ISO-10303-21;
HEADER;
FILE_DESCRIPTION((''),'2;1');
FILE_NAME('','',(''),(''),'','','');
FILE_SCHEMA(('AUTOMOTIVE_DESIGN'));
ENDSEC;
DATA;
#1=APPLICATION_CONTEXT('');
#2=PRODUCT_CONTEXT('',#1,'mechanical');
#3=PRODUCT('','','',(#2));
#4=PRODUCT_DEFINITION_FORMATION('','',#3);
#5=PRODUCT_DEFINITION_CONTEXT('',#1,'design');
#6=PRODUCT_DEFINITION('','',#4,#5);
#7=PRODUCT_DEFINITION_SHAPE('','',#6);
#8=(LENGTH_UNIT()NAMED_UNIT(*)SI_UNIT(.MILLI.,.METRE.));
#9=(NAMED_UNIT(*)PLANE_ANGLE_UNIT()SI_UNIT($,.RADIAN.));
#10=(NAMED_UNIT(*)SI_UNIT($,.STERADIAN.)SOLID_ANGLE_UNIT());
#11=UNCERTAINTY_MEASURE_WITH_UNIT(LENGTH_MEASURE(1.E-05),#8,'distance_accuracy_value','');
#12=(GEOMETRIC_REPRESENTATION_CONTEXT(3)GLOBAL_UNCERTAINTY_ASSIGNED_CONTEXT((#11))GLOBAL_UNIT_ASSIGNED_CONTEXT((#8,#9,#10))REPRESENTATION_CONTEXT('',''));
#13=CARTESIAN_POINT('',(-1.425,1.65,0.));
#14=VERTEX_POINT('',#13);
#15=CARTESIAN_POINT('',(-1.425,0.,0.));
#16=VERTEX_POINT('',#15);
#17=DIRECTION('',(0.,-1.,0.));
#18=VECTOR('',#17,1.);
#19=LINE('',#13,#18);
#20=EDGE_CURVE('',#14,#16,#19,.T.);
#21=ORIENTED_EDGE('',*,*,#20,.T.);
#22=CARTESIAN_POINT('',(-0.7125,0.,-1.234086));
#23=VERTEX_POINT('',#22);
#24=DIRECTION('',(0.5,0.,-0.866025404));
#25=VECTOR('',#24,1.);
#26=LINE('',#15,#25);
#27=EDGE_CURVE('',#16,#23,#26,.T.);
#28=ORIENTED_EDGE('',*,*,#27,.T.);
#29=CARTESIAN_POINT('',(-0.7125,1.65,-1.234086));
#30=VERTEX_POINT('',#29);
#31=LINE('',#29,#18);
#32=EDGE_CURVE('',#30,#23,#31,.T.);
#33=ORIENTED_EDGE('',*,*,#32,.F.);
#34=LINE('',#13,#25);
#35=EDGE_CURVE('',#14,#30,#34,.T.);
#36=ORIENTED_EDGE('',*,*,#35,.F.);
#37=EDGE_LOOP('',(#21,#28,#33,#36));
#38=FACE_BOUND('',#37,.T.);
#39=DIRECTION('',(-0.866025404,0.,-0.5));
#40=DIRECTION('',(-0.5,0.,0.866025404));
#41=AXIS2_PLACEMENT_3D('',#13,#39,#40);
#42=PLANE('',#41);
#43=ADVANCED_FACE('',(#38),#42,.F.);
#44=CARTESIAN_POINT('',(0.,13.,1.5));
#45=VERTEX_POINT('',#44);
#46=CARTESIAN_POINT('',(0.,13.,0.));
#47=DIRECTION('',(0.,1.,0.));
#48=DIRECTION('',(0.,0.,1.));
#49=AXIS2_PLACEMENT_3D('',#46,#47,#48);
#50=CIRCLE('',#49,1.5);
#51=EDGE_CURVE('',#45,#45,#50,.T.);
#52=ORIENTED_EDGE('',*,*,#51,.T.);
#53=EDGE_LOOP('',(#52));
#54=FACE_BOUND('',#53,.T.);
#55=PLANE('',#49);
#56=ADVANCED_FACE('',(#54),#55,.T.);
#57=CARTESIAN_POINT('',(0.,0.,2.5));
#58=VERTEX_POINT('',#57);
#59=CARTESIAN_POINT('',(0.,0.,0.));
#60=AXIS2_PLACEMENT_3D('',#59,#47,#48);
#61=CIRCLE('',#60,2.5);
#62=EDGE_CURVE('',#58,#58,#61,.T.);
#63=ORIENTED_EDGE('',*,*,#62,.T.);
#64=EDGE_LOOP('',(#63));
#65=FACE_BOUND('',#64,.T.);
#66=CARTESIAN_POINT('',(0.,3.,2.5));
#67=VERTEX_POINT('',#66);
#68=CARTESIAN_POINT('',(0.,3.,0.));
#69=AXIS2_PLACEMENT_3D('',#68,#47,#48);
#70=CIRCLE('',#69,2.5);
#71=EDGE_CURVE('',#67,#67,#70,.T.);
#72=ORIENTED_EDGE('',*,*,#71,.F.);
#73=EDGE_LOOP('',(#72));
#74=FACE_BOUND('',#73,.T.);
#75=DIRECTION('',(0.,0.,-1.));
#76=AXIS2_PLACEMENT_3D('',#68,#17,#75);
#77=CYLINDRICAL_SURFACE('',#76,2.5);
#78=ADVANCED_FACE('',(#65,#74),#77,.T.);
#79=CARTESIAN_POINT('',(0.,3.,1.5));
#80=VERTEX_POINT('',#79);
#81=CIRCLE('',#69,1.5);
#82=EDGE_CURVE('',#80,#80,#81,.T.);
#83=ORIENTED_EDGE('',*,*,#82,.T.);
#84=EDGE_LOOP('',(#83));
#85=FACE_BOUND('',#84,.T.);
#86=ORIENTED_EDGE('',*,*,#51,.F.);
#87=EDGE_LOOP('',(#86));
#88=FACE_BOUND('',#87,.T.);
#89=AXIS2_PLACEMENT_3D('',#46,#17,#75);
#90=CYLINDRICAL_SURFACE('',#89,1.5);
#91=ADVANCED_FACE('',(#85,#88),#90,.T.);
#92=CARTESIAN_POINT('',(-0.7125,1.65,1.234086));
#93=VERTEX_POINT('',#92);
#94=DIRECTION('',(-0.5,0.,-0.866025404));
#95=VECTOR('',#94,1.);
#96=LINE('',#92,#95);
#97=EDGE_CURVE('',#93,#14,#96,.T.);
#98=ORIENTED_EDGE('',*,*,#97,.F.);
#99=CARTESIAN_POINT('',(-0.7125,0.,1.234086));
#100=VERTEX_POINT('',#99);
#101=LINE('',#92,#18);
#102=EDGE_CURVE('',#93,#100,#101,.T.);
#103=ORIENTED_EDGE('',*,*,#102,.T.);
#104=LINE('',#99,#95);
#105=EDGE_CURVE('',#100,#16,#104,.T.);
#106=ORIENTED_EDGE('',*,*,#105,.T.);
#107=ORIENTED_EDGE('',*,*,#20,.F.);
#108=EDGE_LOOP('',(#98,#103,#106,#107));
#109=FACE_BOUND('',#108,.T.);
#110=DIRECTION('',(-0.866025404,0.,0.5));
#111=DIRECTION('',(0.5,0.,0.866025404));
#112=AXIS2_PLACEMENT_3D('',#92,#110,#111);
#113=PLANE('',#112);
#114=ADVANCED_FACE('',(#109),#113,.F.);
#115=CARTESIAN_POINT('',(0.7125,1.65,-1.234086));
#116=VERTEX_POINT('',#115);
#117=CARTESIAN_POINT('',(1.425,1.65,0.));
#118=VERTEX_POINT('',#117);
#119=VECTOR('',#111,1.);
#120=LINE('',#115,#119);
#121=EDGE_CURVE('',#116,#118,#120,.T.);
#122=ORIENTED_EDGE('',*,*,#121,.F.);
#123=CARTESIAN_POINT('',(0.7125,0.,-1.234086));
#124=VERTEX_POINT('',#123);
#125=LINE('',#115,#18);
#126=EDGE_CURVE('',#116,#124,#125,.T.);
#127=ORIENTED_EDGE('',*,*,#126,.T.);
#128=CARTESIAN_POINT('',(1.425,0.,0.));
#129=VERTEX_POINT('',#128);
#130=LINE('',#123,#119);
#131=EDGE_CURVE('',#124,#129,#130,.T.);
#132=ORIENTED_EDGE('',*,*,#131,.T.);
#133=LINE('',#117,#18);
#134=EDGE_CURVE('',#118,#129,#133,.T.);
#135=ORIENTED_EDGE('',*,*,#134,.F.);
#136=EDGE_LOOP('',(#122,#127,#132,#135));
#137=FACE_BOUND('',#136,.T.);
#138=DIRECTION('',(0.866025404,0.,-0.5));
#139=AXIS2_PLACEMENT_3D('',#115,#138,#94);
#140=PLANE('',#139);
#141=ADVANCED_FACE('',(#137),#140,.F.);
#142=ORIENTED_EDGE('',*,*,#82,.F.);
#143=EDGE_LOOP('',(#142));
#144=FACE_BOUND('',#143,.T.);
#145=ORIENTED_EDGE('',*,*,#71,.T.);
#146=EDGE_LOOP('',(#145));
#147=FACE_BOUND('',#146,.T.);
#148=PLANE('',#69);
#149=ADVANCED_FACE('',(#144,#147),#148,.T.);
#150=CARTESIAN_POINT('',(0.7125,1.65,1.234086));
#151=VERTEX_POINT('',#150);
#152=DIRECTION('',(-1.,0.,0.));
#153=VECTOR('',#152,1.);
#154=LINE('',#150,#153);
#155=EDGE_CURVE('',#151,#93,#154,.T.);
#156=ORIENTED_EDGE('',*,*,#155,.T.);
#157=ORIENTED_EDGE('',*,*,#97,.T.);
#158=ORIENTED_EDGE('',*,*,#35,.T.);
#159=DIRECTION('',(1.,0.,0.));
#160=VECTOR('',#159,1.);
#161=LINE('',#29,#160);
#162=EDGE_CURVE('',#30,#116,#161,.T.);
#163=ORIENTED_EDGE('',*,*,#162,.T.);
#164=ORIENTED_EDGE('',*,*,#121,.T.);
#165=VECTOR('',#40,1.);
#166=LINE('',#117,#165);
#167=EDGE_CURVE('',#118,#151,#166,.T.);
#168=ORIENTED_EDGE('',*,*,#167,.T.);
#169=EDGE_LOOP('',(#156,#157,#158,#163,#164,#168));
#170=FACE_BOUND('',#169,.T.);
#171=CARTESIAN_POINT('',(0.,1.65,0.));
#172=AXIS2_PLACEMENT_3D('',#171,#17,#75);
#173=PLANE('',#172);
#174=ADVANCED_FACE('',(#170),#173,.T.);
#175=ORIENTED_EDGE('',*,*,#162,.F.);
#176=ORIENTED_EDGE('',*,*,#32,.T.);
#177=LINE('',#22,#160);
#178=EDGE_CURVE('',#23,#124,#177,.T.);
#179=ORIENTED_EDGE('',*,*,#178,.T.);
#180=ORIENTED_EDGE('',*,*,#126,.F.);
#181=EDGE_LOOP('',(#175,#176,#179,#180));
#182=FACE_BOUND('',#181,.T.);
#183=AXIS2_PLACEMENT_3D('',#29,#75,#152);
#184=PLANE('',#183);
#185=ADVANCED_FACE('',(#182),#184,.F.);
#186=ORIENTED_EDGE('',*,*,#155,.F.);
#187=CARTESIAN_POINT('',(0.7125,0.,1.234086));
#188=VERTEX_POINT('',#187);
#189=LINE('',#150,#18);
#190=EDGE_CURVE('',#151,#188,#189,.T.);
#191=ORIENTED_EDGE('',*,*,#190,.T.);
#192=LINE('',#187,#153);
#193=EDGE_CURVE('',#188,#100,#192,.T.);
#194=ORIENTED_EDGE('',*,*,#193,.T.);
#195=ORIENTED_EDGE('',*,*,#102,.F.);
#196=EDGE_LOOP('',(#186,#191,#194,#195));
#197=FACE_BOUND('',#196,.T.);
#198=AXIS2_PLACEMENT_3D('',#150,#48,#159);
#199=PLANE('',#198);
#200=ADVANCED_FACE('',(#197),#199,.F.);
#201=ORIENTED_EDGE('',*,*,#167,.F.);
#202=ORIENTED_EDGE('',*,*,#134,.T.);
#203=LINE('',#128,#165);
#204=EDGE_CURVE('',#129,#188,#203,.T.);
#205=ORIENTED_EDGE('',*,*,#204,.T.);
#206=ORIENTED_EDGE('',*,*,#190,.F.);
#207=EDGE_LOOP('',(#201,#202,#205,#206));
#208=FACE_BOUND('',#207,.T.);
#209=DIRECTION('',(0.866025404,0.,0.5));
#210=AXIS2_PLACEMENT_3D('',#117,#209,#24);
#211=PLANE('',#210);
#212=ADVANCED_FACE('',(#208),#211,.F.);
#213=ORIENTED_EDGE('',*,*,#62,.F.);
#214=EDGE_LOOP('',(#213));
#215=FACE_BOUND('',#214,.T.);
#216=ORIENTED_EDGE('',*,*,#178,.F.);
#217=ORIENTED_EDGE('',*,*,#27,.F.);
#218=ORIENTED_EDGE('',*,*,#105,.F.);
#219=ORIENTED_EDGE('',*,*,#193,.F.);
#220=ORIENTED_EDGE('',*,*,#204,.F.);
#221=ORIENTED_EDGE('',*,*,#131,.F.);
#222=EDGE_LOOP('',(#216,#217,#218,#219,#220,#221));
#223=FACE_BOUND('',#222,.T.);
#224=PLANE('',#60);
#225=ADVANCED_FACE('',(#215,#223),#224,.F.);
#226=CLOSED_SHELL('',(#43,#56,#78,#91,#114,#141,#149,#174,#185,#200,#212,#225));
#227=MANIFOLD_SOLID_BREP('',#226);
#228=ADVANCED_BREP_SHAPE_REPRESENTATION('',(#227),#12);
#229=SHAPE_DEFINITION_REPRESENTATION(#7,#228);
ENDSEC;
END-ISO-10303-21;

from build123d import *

# Parameters (mm, degrees)
SKETCH_1_R          = 2.5
EXTRUDE_1_DEPTH     = 3
SKETCH_2_R          = 1.5
EXTRUDE_2_DEPTH     = 10
CUT_EXTRUDE_1_DEPTH = 1.65


with BuildPart() as part:
    # 草图1 → 凸台-拉伸1 (new body)
    with BuildSketch(Plane(origin=(0, 0, 0), x_dir=(1, 0, 0), z_dir=(0, 1, 0))):
        Circle(SKETCH_1_R)
    extrude(amount=EXTRUDE_1_DEPTH)

    # 草图2 → 凸台-拉伸2 (add)
    with BuildSketch(Plane(origin=(0, 3, 0), x_dir=(1, 0, 0), z_dir=(0, 1, 0))):
        Circle(SKETCH_2_R)
    extrude(amount=EXTRUDE_2_DEPTH)

    # 草图3 → 切除-拉伸1 (cut)
    with BuildSketch(Plane.XZ):
        Polygon((1.425, 0), (0.7125, 1.2340862), (-0.7125, 1.2340862), (-1.425, 0), (-0.7125, -1.2340862), (0.7125, -1.2340862), align=None)
    extrude(amount=-CUT_EXTRUDE_1_DEPTH, mode=Mode.SUBTRACT)


solid = part.part
